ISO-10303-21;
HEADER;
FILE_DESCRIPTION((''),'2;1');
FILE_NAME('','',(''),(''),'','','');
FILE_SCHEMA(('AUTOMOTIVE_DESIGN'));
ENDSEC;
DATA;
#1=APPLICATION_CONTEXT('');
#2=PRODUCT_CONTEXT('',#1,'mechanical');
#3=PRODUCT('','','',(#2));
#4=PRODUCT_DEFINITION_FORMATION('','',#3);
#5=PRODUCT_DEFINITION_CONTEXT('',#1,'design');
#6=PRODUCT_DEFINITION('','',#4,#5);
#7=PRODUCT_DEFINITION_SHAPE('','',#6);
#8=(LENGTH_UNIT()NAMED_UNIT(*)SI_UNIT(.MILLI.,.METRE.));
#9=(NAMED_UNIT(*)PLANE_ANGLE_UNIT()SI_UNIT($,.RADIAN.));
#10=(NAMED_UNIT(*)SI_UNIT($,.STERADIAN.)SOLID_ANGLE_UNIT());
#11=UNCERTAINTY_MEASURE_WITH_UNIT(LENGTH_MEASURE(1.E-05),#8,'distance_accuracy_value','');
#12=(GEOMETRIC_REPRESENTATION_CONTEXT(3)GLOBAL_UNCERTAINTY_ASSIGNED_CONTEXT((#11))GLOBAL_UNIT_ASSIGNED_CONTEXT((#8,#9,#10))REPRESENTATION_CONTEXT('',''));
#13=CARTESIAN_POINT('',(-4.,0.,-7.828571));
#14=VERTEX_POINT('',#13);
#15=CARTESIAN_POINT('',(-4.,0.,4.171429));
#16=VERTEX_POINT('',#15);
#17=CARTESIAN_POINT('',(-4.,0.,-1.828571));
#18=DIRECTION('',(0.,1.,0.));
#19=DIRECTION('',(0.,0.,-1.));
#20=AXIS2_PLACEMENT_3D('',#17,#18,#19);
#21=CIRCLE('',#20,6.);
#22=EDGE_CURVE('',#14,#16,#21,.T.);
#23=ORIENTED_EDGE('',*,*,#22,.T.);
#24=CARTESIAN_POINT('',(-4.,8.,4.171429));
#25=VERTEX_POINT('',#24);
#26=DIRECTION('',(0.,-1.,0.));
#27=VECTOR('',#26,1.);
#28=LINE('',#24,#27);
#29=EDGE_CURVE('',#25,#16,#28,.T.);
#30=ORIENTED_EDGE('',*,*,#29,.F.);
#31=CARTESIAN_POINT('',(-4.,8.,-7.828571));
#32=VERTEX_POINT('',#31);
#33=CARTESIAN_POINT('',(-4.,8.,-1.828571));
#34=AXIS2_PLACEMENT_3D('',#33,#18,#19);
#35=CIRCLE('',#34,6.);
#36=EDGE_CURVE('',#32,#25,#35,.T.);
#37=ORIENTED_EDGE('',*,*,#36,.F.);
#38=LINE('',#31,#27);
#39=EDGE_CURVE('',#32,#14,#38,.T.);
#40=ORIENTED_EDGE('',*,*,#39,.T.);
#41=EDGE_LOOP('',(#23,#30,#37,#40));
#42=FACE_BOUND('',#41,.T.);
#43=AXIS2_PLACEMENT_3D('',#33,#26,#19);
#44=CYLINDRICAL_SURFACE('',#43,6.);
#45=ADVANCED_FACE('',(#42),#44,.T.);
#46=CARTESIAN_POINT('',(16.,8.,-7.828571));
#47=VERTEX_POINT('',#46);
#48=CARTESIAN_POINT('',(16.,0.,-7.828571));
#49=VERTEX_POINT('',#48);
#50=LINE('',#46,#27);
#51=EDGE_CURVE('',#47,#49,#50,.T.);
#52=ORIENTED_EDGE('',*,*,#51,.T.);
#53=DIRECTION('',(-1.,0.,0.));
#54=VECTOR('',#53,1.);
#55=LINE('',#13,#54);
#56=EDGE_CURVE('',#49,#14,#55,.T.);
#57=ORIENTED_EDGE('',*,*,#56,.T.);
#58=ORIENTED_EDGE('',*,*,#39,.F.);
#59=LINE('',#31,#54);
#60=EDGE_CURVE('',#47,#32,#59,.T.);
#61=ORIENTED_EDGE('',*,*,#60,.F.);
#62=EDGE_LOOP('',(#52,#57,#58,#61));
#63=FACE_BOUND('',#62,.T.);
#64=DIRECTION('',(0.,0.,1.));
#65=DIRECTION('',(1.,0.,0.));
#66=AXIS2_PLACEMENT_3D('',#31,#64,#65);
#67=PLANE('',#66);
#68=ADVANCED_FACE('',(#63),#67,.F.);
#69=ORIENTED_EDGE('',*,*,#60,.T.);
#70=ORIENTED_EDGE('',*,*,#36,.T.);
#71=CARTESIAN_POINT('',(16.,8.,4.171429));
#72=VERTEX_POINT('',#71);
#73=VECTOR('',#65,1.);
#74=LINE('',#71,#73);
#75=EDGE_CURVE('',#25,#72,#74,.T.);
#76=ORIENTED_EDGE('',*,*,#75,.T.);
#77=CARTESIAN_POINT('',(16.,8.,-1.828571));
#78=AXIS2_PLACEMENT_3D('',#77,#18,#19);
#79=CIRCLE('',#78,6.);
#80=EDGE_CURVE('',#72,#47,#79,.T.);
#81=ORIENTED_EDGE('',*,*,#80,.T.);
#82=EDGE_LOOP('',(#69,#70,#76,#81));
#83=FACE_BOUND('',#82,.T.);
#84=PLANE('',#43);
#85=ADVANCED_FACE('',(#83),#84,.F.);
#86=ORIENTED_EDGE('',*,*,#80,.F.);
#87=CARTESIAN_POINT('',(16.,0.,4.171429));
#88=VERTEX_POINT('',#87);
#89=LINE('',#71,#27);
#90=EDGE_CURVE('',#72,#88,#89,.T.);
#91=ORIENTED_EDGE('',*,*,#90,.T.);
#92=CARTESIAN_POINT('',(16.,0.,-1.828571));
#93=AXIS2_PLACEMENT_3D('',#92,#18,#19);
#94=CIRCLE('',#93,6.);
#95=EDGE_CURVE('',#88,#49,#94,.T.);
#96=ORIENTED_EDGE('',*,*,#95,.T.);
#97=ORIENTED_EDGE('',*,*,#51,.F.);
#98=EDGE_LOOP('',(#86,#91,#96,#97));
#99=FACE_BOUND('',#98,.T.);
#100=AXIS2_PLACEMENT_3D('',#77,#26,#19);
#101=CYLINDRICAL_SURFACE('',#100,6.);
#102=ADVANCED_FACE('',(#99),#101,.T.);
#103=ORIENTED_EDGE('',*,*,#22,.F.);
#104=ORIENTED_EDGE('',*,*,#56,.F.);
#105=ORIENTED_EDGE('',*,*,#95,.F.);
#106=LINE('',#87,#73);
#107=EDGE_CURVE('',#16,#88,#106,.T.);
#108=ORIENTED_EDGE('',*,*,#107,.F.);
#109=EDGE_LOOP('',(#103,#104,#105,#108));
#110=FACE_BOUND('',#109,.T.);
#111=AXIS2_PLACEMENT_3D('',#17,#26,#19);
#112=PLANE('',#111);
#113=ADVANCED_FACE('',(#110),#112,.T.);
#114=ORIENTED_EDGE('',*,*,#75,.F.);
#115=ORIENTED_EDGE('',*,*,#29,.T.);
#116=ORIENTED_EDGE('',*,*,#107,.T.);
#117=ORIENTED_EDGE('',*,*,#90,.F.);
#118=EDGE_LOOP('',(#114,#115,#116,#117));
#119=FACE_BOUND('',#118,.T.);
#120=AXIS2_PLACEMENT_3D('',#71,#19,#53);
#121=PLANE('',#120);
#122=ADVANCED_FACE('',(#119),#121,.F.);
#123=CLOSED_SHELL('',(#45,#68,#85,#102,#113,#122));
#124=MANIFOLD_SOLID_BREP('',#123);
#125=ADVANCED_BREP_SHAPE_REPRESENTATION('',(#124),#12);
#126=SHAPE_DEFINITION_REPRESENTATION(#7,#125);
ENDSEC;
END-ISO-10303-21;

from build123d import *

# Parameters (mm, degrees)
BOSS_EXTRUDE1_DEPTH = 8


with BuildPart() as part:
    # Sketch2 → Boss-Extrude1 (new body)
    with BuildSketch(Plane(origin=(0, 0, 0), x_dir=(1, 0, 0), z_dir=(0, 1, 0))):
        with BuildLine():
            Line((-4, 7.828571429), (16, 7.828571429))
            ThreePointArc((16, 7.828571429), (22, 1.828571429), (16, -4.171428571))
            Line((16, -4.171428571), (-4, -4.171428571))
            ThreePointArc((-4, -4.171428571), (-10, 1.828571429), (-4, 7.828571429))
        make_face()
    extrude(amount=BOSS_EXTRUDE1_DEPTH)


solid = part.part
